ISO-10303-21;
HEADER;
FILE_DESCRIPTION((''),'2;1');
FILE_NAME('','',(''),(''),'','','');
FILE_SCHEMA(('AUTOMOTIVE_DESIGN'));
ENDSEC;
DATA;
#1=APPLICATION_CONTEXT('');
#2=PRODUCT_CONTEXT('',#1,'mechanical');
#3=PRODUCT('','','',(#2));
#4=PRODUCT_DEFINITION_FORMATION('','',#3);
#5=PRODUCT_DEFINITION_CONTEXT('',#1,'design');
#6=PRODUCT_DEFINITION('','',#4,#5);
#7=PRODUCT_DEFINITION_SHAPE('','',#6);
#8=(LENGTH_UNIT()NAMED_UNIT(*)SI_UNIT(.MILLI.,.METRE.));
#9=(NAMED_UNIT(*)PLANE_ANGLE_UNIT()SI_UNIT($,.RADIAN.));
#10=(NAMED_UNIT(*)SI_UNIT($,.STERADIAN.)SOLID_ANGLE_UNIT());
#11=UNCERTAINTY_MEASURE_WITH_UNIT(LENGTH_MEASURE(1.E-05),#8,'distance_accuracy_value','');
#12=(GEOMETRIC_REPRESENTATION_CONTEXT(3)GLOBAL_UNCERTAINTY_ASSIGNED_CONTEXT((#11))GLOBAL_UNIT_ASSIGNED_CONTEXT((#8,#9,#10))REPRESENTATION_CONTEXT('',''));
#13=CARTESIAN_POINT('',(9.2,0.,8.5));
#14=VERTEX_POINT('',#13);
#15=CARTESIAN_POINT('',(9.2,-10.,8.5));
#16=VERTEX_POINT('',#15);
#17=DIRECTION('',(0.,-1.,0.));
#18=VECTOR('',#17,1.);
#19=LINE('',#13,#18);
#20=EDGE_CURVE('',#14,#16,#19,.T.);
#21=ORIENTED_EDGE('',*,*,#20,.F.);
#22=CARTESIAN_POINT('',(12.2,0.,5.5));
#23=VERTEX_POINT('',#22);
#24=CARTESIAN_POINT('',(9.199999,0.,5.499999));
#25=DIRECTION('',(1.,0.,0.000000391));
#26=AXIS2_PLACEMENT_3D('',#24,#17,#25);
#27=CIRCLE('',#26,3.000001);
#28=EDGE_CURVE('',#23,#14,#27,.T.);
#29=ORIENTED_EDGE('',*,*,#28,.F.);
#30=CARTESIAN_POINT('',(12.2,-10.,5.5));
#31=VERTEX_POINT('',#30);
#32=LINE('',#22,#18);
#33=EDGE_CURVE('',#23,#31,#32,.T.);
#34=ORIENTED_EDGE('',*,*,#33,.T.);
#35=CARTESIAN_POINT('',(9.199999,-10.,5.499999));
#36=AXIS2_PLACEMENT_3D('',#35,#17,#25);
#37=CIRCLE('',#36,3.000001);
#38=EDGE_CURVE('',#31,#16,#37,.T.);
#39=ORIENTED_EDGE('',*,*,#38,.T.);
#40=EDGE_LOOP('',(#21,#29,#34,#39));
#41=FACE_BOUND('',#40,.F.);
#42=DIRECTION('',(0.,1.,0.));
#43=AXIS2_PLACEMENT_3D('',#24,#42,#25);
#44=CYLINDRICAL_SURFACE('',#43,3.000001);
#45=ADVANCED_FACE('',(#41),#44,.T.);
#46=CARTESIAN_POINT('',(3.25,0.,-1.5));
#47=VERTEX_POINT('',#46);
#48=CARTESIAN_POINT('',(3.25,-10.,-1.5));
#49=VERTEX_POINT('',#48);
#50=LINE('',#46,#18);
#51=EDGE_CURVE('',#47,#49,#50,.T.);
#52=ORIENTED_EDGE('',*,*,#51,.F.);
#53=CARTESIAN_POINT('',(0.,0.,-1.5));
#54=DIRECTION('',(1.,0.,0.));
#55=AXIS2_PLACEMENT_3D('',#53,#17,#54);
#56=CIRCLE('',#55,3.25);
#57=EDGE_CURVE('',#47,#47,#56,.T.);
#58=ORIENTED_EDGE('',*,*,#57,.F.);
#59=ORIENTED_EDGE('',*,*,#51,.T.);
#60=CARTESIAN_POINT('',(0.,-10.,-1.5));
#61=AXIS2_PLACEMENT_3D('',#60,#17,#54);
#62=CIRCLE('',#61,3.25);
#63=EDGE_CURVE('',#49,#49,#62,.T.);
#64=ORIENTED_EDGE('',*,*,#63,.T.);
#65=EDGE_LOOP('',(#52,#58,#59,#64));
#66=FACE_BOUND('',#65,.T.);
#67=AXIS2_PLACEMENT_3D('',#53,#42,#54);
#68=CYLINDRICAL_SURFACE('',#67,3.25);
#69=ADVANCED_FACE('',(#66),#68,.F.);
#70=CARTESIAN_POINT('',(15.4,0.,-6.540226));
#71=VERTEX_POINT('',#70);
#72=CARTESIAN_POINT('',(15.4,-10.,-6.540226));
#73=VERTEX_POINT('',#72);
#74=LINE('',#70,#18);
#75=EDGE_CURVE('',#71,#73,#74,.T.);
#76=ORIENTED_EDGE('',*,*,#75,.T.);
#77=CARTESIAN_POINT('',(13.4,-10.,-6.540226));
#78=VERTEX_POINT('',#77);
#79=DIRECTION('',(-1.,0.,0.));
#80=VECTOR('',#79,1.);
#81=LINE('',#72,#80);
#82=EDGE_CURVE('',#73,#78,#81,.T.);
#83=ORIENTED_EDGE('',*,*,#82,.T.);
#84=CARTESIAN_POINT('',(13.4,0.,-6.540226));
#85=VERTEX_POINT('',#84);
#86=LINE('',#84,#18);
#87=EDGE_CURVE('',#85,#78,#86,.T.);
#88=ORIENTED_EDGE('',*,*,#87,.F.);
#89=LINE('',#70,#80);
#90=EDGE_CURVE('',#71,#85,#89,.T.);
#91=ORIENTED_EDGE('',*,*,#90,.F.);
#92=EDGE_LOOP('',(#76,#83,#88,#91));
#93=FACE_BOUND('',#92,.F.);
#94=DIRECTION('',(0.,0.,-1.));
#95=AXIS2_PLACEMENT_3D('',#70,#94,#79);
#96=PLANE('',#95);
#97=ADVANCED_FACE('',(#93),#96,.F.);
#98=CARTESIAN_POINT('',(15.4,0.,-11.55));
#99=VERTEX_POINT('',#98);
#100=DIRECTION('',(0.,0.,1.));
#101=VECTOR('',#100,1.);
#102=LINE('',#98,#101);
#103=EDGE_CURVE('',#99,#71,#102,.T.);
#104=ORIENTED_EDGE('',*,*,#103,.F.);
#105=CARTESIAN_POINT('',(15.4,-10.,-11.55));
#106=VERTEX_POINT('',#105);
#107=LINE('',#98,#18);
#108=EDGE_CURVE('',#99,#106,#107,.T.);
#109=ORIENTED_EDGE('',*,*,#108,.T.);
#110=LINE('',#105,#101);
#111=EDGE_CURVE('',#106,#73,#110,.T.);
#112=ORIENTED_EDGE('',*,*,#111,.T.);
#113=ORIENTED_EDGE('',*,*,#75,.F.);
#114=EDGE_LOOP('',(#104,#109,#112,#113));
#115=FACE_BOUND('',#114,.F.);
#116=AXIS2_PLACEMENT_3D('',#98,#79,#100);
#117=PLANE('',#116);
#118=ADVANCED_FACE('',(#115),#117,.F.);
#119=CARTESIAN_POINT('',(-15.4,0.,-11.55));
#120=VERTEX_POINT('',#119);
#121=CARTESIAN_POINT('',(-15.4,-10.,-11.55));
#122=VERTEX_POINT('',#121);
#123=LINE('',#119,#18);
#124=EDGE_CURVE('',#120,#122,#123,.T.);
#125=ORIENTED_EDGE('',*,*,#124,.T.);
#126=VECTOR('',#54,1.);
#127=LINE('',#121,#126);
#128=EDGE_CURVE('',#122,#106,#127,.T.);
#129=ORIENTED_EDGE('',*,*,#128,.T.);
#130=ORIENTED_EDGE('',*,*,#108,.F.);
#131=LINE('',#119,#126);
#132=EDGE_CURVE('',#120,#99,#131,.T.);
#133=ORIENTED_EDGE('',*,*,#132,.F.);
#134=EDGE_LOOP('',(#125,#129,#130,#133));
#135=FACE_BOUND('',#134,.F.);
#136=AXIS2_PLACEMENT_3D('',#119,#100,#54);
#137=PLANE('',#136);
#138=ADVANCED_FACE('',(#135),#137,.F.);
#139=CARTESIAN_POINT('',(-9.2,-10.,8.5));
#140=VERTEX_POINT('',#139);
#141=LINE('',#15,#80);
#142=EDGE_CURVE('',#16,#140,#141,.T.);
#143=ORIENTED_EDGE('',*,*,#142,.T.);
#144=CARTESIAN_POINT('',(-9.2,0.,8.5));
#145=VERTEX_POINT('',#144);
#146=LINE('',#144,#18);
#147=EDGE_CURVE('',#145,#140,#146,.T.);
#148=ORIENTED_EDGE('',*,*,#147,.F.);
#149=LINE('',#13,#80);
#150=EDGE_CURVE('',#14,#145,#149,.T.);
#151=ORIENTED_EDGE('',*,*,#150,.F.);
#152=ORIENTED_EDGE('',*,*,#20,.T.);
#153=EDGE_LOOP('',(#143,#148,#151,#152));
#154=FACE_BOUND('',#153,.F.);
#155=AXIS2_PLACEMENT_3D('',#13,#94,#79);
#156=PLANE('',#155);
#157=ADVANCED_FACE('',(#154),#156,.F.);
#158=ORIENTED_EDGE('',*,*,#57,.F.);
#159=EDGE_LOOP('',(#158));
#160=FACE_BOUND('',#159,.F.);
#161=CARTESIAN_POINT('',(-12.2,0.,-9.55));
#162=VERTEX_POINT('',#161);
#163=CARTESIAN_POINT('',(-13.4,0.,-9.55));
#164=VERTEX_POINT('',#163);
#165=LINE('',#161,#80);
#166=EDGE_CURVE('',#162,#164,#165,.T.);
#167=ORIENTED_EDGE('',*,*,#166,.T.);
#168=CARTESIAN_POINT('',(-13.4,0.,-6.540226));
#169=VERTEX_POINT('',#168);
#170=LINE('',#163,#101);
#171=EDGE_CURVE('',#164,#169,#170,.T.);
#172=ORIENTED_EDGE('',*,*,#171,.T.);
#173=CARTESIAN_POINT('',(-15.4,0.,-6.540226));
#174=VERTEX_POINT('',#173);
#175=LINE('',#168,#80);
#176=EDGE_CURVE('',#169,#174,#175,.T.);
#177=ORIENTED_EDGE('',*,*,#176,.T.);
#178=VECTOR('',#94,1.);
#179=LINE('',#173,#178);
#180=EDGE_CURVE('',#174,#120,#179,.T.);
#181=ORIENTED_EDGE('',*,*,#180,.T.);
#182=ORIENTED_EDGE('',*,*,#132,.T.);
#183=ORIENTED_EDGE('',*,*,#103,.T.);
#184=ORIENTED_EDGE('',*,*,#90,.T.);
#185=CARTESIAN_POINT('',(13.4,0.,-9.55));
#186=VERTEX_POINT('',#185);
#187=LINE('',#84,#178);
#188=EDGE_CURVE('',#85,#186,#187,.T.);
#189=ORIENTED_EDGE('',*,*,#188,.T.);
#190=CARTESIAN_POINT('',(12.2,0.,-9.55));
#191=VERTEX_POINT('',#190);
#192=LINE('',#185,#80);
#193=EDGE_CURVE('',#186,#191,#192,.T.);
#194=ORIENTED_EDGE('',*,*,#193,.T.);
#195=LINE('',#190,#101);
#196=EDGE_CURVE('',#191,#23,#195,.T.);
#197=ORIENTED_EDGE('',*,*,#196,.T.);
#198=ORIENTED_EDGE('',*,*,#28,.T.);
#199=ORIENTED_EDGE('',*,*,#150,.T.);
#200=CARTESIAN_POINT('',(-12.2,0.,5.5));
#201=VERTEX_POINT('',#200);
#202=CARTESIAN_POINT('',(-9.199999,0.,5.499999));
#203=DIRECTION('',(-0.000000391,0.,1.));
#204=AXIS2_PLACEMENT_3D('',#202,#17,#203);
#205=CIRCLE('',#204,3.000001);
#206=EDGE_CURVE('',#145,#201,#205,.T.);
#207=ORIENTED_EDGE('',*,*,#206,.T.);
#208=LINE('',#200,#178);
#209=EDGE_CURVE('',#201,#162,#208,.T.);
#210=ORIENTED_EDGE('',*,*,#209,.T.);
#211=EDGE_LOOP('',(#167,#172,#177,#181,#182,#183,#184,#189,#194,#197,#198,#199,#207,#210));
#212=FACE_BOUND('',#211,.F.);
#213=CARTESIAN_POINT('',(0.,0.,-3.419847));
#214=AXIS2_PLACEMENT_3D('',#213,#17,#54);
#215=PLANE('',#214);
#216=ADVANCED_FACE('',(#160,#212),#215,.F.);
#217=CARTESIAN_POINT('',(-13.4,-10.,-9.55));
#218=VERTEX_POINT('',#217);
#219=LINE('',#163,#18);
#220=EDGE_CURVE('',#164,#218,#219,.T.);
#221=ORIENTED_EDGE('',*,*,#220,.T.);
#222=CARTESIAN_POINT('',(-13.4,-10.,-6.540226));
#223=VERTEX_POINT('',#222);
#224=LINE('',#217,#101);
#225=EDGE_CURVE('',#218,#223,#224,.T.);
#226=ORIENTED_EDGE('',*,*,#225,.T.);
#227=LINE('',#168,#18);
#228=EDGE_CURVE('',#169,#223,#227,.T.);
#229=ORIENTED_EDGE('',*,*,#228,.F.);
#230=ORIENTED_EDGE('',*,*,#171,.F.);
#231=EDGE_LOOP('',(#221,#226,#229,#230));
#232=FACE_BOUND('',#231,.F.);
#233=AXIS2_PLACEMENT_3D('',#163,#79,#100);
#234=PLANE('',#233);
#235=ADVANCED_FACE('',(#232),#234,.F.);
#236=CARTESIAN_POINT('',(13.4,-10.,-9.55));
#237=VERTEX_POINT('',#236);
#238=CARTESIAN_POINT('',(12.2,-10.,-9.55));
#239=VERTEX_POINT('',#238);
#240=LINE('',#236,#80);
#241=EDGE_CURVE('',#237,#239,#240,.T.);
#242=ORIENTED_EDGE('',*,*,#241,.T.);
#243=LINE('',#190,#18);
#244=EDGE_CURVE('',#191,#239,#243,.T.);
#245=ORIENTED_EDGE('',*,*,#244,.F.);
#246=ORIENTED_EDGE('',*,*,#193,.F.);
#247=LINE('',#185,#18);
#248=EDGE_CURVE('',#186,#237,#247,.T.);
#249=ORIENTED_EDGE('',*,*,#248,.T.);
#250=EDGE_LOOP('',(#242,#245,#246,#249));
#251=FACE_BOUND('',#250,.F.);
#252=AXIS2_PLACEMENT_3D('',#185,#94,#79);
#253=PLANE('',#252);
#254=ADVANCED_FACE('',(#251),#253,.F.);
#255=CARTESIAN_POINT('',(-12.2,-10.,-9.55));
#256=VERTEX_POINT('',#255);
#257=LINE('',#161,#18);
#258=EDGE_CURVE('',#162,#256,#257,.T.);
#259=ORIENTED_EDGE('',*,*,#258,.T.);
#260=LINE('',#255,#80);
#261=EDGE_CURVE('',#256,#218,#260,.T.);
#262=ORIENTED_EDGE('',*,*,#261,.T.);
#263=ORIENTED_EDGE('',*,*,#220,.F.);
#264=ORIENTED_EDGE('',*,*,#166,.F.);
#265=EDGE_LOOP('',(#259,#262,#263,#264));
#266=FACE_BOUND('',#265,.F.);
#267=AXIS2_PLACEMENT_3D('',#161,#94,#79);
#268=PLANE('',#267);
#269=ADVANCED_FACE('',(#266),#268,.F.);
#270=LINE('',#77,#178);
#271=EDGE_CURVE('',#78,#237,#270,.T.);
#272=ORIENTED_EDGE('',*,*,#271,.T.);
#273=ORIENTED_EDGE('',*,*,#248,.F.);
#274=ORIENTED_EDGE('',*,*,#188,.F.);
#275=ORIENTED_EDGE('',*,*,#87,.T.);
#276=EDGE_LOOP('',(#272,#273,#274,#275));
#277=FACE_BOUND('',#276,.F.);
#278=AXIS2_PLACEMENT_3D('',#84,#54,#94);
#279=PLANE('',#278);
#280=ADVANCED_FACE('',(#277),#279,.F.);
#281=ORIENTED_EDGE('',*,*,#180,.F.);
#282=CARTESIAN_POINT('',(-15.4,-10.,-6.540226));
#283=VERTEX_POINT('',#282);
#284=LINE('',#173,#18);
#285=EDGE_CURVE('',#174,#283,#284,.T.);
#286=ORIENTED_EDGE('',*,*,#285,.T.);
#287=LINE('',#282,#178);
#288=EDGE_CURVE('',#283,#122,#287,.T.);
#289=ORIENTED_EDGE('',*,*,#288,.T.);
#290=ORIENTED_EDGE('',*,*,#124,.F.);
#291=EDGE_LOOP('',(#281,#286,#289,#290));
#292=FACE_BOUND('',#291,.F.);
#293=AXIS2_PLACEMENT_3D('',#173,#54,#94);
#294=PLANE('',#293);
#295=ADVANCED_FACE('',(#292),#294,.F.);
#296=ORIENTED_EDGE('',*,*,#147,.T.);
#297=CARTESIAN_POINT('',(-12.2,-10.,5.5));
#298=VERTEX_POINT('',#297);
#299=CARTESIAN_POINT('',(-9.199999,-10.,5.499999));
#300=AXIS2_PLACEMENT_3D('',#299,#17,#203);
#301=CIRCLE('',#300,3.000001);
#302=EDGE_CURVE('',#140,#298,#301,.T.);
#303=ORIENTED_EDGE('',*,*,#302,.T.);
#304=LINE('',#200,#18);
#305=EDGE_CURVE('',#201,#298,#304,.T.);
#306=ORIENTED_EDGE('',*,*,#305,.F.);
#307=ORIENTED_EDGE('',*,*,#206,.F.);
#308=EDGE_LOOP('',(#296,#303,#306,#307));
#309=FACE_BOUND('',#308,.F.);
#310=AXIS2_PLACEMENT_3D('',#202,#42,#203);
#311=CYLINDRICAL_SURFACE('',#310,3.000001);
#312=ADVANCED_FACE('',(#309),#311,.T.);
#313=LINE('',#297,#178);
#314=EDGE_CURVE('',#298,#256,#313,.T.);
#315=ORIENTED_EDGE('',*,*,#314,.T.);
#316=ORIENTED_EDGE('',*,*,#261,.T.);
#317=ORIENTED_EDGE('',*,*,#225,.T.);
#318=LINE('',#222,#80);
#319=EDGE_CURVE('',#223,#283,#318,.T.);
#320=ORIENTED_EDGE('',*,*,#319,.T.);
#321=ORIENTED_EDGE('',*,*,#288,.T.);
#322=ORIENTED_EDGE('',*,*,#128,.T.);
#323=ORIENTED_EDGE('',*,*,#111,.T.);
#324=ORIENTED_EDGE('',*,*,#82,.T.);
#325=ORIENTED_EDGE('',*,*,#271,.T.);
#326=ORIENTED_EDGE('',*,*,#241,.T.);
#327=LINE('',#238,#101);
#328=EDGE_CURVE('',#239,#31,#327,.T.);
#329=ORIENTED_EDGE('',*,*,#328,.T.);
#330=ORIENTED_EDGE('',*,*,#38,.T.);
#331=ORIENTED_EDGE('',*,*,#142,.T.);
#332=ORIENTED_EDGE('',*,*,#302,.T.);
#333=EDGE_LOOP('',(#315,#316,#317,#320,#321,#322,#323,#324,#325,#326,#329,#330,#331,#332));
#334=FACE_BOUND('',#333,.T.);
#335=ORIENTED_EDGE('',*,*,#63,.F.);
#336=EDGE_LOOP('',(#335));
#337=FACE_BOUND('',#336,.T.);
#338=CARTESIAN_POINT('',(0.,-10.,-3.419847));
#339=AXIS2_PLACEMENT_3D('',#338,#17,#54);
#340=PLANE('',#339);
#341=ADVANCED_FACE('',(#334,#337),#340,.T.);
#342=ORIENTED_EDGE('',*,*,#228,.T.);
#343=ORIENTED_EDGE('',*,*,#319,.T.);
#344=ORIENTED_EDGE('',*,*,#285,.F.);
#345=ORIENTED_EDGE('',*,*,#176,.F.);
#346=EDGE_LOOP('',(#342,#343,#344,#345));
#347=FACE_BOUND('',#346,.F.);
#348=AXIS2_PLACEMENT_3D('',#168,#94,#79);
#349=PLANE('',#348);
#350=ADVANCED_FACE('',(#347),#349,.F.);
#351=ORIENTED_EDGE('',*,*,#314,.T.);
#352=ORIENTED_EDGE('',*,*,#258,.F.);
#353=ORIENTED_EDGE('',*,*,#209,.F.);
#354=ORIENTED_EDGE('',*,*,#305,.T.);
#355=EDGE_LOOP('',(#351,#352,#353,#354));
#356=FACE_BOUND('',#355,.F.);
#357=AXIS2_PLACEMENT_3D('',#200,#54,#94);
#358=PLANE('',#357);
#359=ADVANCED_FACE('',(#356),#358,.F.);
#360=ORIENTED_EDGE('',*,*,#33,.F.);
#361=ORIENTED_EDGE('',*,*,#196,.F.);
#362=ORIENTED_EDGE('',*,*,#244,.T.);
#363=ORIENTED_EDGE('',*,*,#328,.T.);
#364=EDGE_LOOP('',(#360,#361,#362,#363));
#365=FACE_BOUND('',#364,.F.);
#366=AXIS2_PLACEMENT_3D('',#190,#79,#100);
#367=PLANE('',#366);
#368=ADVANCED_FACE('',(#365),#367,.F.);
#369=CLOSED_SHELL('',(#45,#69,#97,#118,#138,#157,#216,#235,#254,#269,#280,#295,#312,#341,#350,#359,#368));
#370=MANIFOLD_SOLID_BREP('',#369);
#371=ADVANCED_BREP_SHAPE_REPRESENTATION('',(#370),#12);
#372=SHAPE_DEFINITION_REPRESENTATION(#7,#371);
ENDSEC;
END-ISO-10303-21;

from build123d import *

# Parameters (mm, degrees)
F0_R     = 3.25
F1_DEPTH = 10


with BuildPart() as f1:
    # F0 (on Front) → F1 (new body)
    with BuildSketch(Plane.XZ):
        with BuildLine():
            Line((-13.4, -9.5), (-13.4, -6.540226))
            Line((-13.4, -6.540226), (-15.4, -6.540226))
            Line((-15.4, -6.540226), (-15.4, -11.55))
            Line((-15.4, -11.55), (15.4, -11.55))
            Line((15.4, -11.55), (15.4, -6.540226))
            Line((15.4, -6.540226), (13.4, -6.540226))
            Line((13.4, -6.540226), (13.4, -9.5))
            Line((13.4, -9.5), (13.4, -9.55))
            Line((13.4, -9.55), (12.2, -9.55))
            Line((12.2, -9.55), (12.2, -9.5))
            Line((12.2, -9.5), (12.2, 5.5))
            ThreePointArc((12.2, 5.5), (11.32132, 7.62132), (9.2, 8.5))
            Line((9.2, 8.5), (-9.2, 8.5))
            ThreePointArc((-9.2, 8.5), (-11.32132, 7.62132), (-12.2, 5.5))
            Line((-12.2, 5.5), (-12.2, -9.5))
            Line((-12.2, -9.5), (-12.2, -9.55))
            Line((-12.2, -9.55), (-13.4, -9.55))
            Line((-13.4, -9.55), (-13.4, -9.5))
        make_face()
        with Locations((0, -1.5)):
            Circle(F0_R, mode=Mode.SUBTRACT)
    extrude(amount=F1_DEPTH)


solid = f1.part
